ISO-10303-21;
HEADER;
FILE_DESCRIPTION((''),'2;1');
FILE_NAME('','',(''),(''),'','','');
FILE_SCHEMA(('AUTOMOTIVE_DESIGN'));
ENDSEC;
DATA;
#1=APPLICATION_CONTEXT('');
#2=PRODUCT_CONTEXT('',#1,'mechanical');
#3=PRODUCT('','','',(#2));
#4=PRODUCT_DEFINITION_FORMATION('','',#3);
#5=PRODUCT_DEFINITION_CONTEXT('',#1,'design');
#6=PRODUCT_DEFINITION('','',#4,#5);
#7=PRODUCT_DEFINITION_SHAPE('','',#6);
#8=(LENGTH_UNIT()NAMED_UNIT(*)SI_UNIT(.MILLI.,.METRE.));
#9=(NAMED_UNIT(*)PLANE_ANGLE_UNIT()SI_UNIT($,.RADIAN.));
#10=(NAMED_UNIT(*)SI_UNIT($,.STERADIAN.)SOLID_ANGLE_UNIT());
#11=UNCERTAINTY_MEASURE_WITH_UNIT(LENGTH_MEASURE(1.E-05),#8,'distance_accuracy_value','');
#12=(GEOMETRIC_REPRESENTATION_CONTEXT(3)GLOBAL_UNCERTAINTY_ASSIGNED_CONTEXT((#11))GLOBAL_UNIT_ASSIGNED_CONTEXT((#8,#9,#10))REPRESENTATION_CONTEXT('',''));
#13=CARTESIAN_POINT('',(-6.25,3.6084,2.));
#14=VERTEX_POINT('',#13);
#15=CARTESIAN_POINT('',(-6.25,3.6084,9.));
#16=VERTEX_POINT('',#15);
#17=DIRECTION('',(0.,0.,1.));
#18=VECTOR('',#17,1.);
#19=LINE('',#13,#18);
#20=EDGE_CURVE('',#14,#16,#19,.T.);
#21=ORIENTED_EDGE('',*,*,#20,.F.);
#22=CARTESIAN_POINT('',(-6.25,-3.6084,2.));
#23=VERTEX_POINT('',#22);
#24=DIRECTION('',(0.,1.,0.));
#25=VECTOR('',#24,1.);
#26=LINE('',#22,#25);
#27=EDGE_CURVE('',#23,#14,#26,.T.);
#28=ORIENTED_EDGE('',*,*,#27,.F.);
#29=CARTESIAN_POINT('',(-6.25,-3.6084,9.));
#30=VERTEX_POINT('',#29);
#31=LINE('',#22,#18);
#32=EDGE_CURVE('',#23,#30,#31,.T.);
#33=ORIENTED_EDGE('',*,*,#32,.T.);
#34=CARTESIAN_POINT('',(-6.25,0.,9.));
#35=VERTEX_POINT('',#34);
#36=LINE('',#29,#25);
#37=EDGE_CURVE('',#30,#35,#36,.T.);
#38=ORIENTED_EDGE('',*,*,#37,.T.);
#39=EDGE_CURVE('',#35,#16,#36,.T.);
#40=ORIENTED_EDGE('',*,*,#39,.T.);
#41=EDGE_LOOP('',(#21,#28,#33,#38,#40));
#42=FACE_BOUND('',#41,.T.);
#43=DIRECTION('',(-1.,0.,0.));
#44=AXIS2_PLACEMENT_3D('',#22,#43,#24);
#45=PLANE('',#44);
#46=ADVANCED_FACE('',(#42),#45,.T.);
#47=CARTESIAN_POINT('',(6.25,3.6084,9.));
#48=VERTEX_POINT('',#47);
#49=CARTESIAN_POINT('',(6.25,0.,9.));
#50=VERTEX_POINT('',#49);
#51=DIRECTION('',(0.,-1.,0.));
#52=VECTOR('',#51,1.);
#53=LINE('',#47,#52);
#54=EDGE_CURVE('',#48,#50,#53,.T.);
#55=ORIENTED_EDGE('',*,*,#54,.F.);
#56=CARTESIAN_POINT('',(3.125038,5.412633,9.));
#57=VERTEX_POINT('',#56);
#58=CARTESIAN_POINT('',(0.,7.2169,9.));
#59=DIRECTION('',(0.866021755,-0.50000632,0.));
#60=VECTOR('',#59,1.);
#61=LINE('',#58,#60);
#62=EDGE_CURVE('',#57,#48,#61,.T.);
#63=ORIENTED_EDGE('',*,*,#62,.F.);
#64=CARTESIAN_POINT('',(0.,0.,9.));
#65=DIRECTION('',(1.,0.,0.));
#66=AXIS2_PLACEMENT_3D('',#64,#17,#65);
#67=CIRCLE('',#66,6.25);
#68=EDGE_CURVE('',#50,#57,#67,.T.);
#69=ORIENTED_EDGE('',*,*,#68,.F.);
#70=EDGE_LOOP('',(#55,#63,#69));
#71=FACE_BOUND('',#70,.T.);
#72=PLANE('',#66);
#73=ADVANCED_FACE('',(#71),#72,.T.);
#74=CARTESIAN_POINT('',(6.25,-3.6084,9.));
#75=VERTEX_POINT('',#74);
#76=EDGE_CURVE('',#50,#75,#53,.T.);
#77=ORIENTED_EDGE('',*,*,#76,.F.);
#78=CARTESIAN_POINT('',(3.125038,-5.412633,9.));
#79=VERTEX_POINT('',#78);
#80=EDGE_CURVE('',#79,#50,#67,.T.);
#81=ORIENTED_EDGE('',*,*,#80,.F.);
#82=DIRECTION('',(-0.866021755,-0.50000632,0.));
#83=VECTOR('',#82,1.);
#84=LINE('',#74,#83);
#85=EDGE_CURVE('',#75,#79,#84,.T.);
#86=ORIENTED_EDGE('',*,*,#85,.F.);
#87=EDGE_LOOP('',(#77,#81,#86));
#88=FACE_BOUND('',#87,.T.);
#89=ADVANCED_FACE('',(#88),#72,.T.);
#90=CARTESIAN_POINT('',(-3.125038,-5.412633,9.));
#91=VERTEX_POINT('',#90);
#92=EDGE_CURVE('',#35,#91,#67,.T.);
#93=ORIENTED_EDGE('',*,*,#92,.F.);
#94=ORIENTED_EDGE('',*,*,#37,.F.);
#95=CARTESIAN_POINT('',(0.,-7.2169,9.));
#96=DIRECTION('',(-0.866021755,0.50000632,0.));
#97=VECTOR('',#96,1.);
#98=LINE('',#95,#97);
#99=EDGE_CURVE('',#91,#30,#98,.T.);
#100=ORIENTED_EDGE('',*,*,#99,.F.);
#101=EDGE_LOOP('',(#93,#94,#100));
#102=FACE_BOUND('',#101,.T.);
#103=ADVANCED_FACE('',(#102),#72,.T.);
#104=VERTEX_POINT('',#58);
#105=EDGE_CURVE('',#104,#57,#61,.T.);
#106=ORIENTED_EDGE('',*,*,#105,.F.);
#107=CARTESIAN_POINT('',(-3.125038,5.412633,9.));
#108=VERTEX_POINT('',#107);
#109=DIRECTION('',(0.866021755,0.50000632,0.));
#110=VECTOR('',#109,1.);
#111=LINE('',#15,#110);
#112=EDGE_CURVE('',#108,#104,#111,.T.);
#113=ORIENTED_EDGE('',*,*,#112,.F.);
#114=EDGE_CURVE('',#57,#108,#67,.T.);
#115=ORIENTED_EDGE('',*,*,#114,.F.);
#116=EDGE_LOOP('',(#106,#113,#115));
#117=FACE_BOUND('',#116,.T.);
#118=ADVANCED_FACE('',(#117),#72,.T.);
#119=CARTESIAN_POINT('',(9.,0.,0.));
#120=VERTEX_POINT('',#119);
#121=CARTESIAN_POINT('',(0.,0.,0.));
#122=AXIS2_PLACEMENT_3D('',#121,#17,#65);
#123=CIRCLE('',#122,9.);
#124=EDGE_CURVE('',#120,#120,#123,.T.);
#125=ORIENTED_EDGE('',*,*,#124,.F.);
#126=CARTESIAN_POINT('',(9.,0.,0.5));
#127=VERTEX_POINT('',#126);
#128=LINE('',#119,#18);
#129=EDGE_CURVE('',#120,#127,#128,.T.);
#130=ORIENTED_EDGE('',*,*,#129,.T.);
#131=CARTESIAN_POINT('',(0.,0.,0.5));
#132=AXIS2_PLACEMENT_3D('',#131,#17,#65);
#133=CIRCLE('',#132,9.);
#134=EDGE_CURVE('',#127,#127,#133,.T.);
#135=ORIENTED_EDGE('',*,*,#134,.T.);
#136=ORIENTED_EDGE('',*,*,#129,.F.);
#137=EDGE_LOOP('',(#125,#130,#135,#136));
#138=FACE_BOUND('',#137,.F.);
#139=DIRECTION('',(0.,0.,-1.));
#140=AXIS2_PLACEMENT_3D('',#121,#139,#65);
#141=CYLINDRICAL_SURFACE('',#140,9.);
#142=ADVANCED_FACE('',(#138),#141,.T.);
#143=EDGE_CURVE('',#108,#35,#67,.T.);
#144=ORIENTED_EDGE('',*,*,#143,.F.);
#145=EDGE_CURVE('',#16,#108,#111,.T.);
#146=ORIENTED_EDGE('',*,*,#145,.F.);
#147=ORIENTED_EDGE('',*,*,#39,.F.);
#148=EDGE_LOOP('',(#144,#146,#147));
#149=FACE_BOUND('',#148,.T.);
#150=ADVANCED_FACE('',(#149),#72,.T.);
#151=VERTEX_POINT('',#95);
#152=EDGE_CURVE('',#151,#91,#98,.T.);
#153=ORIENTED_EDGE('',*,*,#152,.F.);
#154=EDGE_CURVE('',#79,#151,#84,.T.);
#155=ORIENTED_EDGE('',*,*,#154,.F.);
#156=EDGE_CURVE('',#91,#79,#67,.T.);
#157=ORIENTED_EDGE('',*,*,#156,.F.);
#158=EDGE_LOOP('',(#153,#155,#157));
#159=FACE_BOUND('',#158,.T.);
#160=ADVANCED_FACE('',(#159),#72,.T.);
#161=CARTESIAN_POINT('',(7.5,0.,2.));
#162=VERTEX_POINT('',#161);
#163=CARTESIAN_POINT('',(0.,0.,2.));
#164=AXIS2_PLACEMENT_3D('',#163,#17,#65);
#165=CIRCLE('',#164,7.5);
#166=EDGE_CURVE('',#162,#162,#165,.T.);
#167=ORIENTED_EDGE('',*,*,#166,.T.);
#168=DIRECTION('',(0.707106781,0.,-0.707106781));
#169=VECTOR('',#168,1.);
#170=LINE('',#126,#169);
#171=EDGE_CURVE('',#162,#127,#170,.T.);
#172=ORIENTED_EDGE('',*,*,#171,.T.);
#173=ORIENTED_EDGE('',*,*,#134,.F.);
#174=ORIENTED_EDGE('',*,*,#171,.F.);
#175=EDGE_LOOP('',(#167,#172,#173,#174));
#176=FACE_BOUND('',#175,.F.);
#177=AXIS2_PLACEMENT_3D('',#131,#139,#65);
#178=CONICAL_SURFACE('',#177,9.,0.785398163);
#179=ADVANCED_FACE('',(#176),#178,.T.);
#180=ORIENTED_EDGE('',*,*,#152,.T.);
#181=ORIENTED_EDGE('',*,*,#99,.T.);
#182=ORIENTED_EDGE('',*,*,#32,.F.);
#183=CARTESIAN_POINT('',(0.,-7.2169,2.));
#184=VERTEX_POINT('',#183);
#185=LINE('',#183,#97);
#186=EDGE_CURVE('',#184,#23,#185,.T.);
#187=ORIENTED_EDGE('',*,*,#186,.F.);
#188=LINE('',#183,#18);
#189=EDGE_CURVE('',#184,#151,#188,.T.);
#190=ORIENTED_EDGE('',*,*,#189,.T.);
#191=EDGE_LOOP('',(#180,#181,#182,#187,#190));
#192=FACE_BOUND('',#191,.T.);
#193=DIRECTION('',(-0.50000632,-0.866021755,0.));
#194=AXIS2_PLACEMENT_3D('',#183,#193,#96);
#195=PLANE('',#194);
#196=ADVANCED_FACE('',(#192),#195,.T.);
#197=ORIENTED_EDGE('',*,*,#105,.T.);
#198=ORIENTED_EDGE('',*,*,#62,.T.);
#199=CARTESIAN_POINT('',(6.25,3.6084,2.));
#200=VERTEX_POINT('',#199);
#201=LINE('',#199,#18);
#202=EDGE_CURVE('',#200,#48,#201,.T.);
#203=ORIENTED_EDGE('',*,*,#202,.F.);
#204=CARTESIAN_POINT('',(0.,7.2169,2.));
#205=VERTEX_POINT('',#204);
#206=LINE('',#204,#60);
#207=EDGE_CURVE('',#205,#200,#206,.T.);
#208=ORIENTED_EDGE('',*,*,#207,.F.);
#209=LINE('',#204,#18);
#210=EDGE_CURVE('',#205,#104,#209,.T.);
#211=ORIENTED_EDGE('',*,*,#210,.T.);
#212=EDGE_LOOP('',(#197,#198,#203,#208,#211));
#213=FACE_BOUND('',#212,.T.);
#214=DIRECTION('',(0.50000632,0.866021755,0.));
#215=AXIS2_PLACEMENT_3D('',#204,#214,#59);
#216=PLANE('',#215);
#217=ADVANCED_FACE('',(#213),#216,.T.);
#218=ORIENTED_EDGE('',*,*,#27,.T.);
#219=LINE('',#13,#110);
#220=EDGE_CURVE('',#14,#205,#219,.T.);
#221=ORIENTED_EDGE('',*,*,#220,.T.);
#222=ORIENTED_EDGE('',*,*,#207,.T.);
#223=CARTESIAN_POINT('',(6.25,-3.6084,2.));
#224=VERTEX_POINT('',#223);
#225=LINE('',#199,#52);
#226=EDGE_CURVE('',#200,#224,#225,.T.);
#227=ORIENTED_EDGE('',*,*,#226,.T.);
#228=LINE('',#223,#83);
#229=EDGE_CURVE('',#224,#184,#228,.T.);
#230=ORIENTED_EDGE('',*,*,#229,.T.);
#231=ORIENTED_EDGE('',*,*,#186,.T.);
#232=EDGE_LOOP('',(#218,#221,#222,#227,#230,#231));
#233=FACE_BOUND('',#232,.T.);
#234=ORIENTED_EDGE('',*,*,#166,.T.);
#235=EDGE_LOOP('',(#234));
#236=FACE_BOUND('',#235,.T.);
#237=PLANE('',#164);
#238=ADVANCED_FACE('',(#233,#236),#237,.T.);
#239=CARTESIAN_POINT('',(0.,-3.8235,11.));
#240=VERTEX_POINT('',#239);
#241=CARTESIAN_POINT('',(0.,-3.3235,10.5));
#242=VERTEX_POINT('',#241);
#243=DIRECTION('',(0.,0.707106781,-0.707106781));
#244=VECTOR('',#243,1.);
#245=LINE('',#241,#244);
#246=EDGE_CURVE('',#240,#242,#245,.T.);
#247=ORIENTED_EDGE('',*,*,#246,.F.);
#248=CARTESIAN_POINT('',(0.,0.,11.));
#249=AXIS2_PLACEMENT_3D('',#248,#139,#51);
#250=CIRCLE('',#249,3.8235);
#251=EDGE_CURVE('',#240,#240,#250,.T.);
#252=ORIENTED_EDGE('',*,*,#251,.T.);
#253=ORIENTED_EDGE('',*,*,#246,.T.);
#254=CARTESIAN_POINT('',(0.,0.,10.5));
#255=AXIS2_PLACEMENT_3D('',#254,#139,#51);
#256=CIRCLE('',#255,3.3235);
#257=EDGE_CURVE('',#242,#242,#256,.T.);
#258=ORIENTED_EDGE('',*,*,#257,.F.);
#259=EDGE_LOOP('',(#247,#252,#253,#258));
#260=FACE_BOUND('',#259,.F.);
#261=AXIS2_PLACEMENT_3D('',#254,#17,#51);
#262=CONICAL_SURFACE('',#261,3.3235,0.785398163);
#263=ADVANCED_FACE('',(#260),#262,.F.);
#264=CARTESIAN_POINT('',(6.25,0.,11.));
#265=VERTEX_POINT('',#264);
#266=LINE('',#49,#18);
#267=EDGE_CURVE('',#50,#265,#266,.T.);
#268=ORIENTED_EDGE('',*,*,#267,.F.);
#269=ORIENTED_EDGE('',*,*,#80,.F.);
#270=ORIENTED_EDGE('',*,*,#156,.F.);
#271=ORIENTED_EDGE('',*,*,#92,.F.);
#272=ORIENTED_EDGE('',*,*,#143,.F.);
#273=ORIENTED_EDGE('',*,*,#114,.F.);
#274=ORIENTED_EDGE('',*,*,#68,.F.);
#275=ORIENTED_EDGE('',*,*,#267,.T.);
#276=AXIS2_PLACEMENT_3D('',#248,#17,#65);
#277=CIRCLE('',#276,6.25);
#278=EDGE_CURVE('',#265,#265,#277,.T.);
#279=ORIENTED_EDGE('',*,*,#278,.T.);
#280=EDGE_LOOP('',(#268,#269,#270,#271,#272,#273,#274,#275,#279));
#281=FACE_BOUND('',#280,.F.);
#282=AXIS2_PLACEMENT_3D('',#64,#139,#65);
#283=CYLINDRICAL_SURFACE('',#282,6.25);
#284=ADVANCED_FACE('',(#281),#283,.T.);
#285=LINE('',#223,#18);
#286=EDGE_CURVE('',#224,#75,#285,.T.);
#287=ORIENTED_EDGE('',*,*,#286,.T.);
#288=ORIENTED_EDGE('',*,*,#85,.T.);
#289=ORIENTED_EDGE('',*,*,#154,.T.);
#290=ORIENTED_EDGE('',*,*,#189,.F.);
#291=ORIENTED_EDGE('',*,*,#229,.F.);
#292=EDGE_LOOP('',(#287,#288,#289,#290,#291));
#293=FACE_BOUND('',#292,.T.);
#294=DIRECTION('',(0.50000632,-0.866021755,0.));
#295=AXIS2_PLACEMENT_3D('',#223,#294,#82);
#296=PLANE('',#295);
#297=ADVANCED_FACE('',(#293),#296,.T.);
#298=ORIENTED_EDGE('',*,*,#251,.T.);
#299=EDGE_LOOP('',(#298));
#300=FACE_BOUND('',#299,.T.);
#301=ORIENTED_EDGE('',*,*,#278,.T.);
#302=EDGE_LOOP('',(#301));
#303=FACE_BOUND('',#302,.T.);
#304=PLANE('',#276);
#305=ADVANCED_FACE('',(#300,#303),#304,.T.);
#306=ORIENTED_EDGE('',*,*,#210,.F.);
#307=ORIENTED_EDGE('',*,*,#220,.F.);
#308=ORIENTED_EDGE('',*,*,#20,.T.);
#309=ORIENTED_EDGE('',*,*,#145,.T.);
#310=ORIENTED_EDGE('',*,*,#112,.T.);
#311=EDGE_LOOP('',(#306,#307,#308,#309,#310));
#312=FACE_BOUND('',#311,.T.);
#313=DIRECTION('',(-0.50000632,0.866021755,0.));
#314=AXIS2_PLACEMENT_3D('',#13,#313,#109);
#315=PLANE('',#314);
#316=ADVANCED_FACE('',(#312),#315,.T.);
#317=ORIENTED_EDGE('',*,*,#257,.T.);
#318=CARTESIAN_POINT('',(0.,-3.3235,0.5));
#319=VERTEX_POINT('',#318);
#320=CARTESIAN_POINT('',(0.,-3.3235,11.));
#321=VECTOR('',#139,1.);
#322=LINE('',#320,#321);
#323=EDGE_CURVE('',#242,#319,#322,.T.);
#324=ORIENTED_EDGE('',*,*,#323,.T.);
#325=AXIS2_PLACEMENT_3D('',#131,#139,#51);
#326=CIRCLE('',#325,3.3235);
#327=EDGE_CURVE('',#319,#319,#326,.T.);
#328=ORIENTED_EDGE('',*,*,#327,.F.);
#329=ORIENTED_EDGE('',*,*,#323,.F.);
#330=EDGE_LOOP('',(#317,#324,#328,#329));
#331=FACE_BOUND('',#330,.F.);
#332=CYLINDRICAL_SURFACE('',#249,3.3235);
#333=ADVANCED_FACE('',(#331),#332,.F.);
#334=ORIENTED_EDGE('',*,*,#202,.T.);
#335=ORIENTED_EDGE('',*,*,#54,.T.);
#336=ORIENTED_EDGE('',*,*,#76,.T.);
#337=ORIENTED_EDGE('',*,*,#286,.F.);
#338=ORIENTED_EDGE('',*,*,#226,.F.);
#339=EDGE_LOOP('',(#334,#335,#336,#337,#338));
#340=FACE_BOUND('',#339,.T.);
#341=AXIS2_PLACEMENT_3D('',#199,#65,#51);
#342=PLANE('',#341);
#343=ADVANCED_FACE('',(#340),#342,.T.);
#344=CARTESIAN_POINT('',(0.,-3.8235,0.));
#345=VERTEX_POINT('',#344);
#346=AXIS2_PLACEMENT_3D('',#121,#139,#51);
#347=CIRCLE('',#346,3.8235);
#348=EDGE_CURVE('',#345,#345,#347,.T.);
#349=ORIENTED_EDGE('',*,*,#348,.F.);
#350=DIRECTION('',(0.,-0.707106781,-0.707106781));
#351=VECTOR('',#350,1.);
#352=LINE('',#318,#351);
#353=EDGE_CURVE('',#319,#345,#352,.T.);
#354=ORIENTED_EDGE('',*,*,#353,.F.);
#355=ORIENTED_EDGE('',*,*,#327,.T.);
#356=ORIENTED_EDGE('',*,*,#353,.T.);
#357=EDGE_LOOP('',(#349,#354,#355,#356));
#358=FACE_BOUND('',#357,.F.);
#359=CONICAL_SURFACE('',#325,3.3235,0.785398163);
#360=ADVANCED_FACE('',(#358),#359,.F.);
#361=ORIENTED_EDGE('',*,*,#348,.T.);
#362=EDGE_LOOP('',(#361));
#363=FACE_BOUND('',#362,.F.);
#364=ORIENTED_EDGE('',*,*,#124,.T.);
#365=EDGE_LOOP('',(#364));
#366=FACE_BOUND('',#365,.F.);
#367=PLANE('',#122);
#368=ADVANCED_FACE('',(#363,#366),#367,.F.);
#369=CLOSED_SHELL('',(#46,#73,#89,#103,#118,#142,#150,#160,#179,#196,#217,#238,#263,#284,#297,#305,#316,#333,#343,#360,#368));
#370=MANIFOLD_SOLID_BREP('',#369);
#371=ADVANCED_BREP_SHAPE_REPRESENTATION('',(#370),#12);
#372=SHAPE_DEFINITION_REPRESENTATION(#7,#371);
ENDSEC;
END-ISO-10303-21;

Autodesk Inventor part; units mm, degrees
ref_plane "YZ Plane" through (0, 0, 0) normal (1, 0, 0) x (0, 1, 0)
ref_plane "XZ Plane" through (0, 0, 0) normal (0, 1, 0) x (-1, 0, 0)
ref_plane "XY Plane" through (0, 0, 0) normal (0, 0, 1) x (1, 0, 0)
sketch "スケッチ1" plane through (0, 0, 0) normal (0, 0, 1) x (1, 0, 0)
  circle A0 centre (0, 0) radius 9
  dimension "d0" = 18
extrude "押し出し1" add sketch "スケッチ1" along normal blind 2
sketch "スケッチ2" plane through (0, 0, 2) normal (0, 0, 1) x (1, 0, 0)
  line L0 (0, 7.2169) -> (6.25, 3.6084)
  line L1 (6.25, 3.6084) -> (6.25, -3.6084)
  line L2 (6.25, -3.6084) -> (0, -7.2169)
  line L3 (0, -7.2169) -> (-6.25, -3.6084)
  line L4 (-6.25, -3.6084) -> (-6.25, 3.6084)
  line L5 (-6.25, 3.6084) -> (0, 7.2169)
  point P0 (0, 0)
  point P1 (0, 0)
  dimension "d3" = 12.5
extrude "押し出し2" add sketch "スケッチ2" along normal blind 7
sketch "スケッチ3" plane through (0, 0, 9) normal (0, 0, 1) x (1, 0, 0)
  circle A0 centre (0, 0) radius 6.25
  dimension "d6" = 12.5
extrude "押し出し3" add sketch "スケッチ3" along normal blind 2
sketch "スケッチ4" plane through (0, 0, 11) normal (0, 0, 1) x (1, 0, 0)
  point P0 (0, 0)
hole "穴1" at (0, 0, 11) direction (0, 0, -1) diameter 6.647 end through all thread size "M8x1.25" class "6H" standard "ANSI Metric M Profile"
chamfer "面取り1" distance 0.5 angle 45 2 edges at (0, 3.3235, 11) (0, 3.3235, 0)
chamfer "面取り2" distance 1.5 angle 45 1 edges at (-9, 0, 2)
properties part number "nut" material "アルミニウム 6061"
